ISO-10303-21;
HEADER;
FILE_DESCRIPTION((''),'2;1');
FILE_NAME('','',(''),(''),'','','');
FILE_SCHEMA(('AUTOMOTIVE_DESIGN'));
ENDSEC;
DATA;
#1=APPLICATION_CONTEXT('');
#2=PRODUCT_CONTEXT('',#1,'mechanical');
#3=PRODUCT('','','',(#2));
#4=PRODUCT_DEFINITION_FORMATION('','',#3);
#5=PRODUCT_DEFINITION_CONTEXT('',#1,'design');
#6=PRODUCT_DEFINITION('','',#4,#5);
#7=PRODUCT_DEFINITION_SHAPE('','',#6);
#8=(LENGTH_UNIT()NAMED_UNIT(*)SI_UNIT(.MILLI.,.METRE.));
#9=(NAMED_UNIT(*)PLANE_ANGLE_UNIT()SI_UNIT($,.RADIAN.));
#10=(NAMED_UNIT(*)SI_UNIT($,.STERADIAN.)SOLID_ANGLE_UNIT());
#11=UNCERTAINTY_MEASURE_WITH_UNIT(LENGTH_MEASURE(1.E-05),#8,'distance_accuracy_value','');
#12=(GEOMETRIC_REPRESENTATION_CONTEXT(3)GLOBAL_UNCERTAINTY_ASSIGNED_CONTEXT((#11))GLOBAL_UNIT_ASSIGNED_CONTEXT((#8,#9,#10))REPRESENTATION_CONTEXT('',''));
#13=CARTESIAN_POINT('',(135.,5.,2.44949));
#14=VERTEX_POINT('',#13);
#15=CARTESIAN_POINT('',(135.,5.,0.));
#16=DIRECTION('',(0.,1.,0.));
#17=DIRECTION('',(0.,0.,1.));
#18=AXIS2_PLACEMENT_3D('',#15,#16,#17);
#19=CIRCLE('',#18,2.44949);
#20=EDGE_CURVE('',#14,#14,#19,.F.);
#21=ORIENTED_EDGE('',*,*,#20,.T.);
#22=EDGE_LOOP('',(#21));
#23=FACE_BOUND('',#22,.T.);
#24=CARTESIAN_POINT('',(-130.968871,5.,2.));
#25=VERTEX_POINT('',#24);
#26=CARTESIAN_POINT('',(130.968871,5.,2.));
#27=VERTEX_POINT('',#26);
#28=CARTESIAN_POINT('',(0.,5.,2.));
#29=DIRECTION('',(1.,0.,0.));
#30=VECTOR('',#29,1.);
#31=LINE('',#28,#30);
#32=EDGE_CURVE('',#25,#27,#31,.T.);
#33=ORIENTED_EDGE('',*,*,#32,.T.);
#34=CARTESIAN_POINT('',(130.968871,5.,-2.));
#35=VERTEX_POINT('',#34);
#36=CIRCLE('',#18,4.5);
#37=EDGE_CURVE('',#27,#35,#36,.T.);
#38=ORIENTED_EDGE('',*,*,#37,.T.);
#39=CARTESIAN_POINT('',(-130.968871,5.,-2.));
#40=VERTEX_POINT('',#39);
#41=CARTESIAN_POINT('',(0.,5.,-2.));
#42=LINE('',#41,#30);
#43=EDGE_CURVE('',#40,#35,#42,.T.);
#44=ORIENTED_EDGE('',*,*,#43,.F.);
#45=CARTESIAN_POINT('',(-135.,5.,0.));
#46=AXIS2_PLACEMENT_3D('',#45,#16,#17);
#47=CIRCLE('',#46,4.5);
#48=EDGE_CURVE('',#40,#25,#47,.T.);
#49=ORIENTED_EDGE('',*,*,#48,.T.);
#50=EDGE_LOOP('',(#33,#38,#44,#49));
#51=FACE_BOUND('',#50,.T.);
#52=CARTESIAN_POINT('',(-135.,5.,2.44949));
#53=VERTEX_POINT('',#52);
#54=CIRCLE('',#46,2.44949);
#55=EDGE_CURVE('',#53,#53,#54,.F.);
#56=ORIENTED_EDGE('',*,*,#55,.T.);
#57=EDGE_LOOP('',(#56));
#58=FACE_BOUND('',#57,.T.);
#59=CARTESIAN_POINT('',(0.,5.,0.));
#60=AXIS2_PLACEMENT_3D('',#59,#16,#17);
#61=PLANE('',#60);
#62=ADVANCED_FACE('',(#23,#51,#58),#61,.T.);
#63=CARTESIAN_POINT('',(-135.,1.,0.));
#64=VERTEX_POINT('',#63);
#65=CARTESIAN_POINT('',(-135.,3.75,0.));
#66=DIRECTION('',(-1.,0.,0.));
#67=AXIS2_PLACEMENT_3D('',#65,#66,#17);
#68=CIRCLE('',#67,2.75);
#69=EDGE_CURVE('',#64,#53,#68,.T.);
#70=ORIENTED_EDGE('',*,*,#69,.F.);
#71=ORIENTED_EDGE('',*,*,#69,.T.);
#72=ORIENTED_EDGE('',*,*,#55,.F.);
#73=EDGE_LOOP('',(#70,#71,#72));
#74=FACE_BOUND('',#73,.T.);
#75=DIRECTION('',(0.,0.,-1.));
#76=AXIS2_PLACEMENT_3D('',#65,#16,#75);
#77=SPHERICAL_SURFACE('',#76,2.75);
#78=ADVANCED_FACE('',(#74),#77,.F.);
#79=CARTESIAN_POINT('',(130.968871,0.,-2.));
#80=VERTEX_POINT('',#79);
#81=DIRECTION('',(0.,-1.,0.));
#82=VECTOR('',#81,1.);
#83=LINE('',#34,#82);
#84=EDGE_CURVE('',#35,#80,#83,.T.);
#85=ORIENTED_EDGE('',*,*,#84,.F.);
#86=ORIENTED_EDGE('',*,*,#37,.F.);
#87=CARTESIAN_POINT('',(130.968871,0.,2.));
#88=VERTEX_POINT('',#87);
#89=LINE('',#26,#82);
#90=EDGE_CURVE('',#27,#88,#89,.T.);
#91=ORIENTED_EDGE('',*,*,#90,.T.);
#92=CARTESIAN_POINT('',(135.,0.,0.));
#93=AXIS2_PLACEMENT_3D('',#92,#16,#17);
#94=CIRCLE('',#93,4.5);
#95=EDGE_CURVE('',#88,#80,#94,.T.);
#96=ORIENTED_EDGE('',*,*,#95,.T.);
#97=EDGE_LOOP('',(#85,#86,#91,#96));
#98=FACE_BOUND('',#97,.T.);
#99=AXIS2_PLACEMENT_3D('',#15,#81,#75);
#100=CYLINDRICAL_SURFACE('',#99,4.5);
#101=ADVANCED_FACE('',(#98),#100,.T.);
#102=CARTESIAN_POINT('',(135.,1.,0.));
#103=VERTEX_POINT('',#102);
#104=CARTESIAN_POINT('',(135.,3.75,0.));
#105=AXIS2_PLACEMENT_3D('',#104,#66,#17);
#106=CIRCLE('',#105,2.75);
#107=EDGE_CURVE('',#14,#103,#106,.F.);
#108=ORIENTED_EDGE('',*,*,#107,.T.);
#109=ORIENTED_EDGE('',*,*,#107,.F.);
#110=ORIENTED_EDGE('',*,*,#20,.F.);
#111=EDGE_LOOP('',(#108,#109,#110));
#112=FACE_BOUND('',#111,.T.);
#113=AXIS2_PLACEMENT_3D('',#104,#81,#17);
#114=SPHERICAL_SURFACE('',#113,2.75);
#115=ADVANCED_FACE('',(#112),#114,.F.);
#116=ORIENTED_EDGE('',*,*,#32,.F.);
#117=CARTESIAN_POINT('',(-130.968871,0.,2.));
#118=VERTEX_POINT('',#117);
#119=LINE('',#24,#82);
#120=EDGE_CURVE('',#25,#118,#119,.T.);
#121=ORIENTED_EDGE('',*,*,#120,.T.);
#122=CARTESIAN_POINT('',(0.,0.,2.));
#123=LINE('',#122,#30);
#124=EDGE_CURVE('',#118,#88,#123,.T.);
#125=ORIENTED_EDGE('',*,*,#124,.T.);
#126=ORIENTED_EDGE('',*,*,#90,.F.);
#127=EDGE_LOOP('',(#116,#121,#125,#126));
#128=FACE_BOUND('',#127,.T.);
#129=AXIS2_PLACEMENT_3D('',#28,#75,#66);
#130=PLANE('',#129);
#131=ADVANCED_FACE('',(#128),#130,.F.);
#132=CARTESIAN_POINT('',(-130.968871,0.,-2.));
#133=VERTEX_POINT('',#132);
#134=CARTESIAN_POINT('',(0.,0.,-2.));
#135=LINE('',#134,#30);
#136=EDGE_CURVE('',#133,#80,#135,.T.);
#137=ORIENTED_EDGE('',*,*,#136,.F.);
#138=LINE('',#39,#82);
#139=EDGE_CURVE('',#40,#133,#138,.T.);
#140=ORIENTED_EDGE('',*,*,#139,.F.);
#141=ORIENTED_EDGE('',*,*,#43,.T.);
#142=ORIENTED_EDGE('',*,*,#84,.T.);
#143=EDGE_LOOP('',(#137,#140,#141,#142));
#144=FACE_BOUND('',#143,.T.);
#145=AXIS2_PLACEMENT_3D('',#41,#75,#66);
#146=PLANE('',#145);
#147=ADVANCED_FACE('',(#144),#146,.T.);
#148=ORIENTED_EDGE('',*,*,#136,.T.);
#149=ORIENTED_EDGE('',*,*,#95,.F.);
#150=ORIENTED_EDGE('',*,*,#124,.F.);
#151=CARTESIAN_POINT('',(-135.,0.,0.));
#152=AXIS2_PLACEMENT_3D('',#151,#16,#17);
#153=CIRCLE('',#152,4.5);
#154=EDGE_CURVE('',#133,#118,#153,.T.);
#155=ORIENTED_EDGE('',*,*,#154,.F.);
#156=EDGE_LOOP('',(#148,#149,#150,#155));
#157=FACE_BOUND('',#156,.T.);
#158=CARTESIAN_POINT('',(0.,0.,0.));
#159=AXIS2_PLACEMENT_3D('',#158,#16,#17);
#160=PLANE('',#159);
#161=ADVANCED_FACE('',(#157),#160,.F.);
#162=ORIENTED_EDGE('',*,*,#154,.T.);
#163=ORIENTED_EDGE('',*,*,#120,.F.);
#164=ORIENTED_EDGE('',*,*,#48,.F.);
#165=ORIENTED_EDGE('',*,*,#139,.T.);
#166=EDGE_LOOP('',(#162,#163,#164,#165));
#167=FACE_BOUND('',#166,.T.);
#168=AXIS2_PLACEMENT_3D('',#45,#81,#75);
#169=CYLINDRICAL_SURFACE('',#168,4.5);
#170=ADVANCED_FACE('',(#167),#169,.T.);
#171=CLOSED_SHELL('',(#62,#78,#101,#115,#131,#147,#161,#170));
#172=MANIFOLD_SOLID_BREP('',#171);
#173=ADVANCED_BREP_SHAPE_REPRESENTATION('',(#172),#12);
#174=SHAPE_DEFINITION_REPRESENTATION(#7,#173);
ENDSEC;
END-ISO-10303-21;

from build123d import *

# Parameters (mm, degrees)
BOSS_EXTRUDE1_DEPTH = 5


with BuildPart() as part:
    # Sketch1 → Boss-Extrude1 (new body)
    with BuildSketch(Plane(origin=(0, 0, 0), x_dir=(1, 0, 0), z_dir=(0, 1, 0))):
        with BuildLine():
            Line((-135, 2), (-135, -2))
            Line((-135, -2), (-130.968871126, -2))
            ThreePointArc((-130.968871126, -2), (-130.61878556, -1.027112473), (-130.5, 0))
            ThreePointArc((-130.5, 0), (-130.61878556, 1.027112473), (-130.968871126, 2))
            Line((-130.968871126, 2), (-135, 2))
        make_face()
        with BuildLine():
            Line((-130.968871126, -2), (-135, -2))
            Line((-135, -2), (-135, 2))
            Line((-135, 2), (-130.968871126, 2))
            ThreePointArc((-130.968871126, 2), (-139.5, 0), (-130.968871126, -2))
        make_face()
        with BuildLine():
            ThreePointArc((-130.5, 0), (-130.61878556, -1.027112473), (-130.968871126, -2))
            Line((-130.968871126, -2), (130.968871126, -2))
            ThreePointArc((130.968871126, -2), (130.5, 0), (130.968871126, 2))
            Line((130.968871126, 2), (-130.968871126, 2))
            ThreePointArc((-130.968871126, 2), (-130.61878556, 1.027112473), (-130.5, 0))
        make_face()
        with BuildLine():
            ThreePointArc((130.968871126, 2), (130.5, 0), (130.968871126, -2))
            Line((130.968871126, -2), (135, -2))
            Line((135, -2), (135, 2))
            Line((135, 2), (130.968871126, 2))
        make_face()
        with BuildLine():
            Line((135, -2), (130.968871126, -2))
            ThreePointArc((130.968871126, -2), (136.027112473, -4.38121444), (139.5, 0))
            ThreePointArc((139.5, 0), (136.027112473, 4.38121444), (130.968871126, 2))
            Line((130.968871126, 2), (135, 2))
            Line((135, 2), (135, -2))
        make_face()
    extrude(amount=BOSS_EXTRUDE1_DEPTH)

    # Cut-Sweep1: sweep along a path in Sketch2
    with BuildLine(Plane(origin=(0, 5, 0), x_dir=(1, 0, 0), z_dir=(0, 1, 0))) as cut_sweep1_path:
        CenterArc((-135, 0), 4.5, 0, 360)
    # 3DSketch1 → Cut-Sweep1 (sweep, cut)
    with BuildSketch(Plane(origin=(-135, 5, 0), x_dir=(0, -1, 0), z_dir=(-1, 0, 0))):
        with BuildLine():
            Line((0, 0), (-1.5, 0))
            ThreePointArc((-1.5, 0), (1.25, -2.75), (4, 0))
            Line((4, 0), (0, 0))
        make_face()
    cut_sweep1 = sweep(path=cut_sweep1_path.line, mode=Mode.SUBTRACT)

    # Mirror1: Cut-Sweep1 across plane
    add(cut_sweep1.mirror(Plane(origin=(0, 0, 0), x_dir=(0, 0, 1), z_dir=(1, 0, 0))), mode=Mode.SUBTRACT)


solid = part.part
